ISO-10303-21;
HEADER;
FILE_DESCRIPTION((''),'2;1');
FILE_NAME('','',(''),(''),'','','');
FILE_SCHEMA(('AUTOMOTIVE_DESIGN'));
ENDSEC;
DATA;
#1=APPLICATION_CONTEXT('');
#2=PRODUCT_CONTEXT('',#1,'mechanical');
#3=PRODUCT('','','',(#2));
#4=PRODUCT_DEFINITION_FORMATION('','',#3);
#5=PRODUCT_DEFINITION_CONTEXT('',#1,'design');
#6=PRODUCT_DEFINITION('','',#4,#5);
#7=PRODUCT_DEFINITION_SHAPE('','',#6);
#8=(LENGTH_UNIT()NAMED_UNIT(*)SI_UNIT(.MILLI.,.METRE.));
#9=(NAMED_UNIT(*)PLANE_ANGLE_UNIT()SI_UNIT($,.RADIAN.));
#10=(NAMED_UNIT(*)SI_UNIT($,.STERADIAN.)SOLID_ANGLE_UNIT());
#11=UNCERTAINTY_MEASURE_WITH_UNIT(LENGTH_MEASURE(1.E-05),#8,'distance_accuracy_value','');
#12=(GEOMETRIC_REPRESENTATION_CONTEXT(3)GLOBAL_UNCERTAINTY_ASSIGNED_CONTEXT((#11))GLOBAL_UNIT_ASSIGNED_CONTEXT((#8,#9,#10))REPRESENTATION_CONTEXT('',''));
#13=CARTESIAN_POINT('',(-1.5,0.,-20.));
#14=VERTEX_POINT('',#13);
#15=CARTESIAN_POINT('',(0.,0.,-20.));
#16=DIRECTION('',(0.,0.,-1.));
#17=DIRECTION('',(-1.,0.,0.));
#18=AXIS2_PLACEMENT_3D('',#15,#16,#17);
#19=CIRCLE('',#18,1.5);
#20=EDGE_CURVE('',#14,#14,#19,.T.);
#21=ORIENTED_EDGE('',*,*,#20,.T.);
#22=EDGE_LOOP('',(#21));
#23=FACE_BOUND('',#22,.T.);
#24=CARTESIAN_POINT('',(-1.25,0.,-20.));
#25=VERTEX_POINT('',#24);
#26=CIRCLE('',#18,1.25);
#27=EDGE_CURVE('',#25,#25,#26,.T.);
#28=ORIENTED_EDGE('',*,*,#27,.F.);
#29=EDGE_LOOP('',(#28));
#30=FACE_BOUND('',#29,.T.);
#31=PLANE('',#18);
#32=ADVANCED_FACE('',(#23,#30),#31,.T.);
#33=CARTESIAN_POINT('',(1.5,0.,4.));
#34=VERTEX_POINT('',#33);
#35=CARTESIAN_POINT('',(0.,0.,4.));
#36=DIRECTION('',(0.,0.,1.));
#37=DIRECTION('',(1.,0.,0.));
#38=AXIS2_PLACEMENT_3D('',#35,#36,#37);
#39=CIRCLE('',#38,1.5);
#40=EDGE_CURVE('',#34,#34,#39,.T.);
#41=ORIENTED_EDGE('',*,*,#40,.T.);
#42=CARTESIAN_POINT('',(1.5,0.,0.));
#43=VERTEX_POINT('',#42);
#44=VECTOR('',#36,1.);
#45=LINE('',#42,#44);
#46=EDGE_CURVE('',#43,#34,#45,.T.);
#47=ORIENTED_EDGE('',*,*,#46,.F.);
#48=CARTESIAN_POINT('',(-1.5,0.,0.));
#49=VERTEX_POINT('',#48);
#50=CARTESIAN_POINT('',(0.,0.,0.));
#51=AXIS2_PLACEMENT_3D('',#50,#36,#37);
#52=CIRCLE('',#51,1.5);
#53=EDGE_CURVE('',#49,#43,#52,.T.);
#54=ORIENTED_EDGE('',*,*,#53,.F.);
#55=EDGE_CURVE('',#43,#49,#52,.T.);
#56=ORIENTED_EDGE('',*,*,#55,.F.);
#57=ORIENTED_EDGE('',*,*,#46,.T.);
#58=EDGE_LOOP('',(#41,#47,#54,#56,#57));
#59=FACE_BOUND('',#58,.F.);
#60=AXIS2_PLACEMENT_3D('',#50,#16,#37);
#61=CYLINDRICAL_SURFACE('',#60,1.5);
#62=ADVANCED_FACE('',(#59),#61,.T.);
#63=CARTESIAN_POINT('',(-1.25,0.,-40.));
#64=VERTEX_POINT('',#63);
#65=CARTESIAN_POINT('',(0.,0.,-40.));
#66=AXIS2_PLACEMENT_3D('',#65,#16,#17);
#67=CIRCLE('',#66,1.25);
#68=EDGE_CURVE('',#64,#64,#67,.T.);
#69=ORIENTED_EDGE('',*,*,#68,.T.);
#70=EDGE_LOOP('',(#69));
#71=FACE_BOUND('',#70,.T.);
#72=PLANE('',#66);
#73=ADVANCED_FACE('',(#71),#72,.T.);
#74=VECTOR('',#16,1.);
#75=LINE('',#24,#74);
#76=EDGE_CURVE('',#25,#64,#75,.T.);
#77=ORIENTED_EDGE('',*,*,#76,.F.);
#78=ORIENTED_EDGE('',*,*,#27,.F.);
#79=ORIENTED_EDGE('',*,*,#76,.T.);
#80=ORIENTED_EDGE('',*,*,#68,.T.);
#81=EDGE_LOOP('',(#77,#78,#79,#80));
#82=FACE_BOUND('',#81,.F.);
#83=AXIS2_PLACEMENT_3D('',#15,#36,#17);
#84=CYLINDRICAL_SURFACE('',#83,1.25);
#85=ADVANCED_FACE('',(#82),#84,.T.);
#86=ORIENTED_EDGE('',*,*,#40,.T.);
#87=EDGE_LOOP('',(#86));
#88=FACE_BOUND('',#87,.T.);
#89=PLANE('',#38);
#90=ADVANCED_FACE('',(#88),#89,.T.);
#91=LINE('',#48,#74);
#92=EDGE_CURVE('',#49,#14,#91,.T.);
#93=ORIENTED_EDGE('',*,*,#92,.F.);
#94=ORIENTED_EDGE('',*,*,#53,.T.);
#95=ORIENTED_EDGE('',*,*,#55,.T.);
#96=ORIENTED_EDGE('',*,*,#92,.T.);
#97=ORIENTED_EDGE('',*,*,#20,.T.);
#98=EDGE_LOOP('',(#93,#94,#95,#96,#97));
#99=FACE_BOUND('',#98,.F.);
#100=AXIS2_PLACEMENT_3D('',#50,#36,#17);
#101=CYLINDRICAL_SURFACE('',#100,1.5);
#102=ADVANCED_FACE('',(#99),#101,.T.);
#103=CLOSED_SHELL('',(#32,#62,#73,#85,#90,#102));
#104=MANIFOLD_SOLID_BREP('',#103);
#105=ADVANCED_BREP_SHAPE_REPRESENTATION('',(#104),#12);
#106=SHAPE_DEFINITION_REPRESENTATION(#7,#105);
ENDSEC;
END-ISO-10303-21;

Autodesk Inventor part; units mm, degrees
ref_plane "YZ Plane" through (0, 0, 0) normal (1, 0, 0) x (0, 1, 0)
ref_plane "XZ Plane" through (0, 0, 0) normal (0, 1, 0) x (-1, 0, 0)
ref_plane "XY Plane" through (0, 0, 0) normal (0, 0, 1) x (1, 0, 0)
sketch "Sketch1" plane through (0, 0, 0) normal (0, 0, 1) x (1, 0, 0)
  circle A0 centre (0, 0) radius 1.5
  dimension "d0" = 3
extrude "Extrusion1" add sketch "Sketch1" along normal blind 4
sketch "Sketch2" plane through (0, 0, 0) normal (0, 0, -1) x (-1, 0, 0)
  circle A0 centre (0, 0) radius 1.5
  dimension "d3" = 3
extrude "Extrusion2" add sketch "Sketch2" along normal blind 20
sketch "Sketch3" plane through (0, 0, -20) normal (0, 0, -1) x (-1, 0, 0)
  circle A0 centre (0, 0) radius 1.25
  dimension "d8" = 2.5
extrude "Extrusion3" add sketch "Sketch3" along normal blind 20
properties part number "Screw" material "Stainless Steel"
